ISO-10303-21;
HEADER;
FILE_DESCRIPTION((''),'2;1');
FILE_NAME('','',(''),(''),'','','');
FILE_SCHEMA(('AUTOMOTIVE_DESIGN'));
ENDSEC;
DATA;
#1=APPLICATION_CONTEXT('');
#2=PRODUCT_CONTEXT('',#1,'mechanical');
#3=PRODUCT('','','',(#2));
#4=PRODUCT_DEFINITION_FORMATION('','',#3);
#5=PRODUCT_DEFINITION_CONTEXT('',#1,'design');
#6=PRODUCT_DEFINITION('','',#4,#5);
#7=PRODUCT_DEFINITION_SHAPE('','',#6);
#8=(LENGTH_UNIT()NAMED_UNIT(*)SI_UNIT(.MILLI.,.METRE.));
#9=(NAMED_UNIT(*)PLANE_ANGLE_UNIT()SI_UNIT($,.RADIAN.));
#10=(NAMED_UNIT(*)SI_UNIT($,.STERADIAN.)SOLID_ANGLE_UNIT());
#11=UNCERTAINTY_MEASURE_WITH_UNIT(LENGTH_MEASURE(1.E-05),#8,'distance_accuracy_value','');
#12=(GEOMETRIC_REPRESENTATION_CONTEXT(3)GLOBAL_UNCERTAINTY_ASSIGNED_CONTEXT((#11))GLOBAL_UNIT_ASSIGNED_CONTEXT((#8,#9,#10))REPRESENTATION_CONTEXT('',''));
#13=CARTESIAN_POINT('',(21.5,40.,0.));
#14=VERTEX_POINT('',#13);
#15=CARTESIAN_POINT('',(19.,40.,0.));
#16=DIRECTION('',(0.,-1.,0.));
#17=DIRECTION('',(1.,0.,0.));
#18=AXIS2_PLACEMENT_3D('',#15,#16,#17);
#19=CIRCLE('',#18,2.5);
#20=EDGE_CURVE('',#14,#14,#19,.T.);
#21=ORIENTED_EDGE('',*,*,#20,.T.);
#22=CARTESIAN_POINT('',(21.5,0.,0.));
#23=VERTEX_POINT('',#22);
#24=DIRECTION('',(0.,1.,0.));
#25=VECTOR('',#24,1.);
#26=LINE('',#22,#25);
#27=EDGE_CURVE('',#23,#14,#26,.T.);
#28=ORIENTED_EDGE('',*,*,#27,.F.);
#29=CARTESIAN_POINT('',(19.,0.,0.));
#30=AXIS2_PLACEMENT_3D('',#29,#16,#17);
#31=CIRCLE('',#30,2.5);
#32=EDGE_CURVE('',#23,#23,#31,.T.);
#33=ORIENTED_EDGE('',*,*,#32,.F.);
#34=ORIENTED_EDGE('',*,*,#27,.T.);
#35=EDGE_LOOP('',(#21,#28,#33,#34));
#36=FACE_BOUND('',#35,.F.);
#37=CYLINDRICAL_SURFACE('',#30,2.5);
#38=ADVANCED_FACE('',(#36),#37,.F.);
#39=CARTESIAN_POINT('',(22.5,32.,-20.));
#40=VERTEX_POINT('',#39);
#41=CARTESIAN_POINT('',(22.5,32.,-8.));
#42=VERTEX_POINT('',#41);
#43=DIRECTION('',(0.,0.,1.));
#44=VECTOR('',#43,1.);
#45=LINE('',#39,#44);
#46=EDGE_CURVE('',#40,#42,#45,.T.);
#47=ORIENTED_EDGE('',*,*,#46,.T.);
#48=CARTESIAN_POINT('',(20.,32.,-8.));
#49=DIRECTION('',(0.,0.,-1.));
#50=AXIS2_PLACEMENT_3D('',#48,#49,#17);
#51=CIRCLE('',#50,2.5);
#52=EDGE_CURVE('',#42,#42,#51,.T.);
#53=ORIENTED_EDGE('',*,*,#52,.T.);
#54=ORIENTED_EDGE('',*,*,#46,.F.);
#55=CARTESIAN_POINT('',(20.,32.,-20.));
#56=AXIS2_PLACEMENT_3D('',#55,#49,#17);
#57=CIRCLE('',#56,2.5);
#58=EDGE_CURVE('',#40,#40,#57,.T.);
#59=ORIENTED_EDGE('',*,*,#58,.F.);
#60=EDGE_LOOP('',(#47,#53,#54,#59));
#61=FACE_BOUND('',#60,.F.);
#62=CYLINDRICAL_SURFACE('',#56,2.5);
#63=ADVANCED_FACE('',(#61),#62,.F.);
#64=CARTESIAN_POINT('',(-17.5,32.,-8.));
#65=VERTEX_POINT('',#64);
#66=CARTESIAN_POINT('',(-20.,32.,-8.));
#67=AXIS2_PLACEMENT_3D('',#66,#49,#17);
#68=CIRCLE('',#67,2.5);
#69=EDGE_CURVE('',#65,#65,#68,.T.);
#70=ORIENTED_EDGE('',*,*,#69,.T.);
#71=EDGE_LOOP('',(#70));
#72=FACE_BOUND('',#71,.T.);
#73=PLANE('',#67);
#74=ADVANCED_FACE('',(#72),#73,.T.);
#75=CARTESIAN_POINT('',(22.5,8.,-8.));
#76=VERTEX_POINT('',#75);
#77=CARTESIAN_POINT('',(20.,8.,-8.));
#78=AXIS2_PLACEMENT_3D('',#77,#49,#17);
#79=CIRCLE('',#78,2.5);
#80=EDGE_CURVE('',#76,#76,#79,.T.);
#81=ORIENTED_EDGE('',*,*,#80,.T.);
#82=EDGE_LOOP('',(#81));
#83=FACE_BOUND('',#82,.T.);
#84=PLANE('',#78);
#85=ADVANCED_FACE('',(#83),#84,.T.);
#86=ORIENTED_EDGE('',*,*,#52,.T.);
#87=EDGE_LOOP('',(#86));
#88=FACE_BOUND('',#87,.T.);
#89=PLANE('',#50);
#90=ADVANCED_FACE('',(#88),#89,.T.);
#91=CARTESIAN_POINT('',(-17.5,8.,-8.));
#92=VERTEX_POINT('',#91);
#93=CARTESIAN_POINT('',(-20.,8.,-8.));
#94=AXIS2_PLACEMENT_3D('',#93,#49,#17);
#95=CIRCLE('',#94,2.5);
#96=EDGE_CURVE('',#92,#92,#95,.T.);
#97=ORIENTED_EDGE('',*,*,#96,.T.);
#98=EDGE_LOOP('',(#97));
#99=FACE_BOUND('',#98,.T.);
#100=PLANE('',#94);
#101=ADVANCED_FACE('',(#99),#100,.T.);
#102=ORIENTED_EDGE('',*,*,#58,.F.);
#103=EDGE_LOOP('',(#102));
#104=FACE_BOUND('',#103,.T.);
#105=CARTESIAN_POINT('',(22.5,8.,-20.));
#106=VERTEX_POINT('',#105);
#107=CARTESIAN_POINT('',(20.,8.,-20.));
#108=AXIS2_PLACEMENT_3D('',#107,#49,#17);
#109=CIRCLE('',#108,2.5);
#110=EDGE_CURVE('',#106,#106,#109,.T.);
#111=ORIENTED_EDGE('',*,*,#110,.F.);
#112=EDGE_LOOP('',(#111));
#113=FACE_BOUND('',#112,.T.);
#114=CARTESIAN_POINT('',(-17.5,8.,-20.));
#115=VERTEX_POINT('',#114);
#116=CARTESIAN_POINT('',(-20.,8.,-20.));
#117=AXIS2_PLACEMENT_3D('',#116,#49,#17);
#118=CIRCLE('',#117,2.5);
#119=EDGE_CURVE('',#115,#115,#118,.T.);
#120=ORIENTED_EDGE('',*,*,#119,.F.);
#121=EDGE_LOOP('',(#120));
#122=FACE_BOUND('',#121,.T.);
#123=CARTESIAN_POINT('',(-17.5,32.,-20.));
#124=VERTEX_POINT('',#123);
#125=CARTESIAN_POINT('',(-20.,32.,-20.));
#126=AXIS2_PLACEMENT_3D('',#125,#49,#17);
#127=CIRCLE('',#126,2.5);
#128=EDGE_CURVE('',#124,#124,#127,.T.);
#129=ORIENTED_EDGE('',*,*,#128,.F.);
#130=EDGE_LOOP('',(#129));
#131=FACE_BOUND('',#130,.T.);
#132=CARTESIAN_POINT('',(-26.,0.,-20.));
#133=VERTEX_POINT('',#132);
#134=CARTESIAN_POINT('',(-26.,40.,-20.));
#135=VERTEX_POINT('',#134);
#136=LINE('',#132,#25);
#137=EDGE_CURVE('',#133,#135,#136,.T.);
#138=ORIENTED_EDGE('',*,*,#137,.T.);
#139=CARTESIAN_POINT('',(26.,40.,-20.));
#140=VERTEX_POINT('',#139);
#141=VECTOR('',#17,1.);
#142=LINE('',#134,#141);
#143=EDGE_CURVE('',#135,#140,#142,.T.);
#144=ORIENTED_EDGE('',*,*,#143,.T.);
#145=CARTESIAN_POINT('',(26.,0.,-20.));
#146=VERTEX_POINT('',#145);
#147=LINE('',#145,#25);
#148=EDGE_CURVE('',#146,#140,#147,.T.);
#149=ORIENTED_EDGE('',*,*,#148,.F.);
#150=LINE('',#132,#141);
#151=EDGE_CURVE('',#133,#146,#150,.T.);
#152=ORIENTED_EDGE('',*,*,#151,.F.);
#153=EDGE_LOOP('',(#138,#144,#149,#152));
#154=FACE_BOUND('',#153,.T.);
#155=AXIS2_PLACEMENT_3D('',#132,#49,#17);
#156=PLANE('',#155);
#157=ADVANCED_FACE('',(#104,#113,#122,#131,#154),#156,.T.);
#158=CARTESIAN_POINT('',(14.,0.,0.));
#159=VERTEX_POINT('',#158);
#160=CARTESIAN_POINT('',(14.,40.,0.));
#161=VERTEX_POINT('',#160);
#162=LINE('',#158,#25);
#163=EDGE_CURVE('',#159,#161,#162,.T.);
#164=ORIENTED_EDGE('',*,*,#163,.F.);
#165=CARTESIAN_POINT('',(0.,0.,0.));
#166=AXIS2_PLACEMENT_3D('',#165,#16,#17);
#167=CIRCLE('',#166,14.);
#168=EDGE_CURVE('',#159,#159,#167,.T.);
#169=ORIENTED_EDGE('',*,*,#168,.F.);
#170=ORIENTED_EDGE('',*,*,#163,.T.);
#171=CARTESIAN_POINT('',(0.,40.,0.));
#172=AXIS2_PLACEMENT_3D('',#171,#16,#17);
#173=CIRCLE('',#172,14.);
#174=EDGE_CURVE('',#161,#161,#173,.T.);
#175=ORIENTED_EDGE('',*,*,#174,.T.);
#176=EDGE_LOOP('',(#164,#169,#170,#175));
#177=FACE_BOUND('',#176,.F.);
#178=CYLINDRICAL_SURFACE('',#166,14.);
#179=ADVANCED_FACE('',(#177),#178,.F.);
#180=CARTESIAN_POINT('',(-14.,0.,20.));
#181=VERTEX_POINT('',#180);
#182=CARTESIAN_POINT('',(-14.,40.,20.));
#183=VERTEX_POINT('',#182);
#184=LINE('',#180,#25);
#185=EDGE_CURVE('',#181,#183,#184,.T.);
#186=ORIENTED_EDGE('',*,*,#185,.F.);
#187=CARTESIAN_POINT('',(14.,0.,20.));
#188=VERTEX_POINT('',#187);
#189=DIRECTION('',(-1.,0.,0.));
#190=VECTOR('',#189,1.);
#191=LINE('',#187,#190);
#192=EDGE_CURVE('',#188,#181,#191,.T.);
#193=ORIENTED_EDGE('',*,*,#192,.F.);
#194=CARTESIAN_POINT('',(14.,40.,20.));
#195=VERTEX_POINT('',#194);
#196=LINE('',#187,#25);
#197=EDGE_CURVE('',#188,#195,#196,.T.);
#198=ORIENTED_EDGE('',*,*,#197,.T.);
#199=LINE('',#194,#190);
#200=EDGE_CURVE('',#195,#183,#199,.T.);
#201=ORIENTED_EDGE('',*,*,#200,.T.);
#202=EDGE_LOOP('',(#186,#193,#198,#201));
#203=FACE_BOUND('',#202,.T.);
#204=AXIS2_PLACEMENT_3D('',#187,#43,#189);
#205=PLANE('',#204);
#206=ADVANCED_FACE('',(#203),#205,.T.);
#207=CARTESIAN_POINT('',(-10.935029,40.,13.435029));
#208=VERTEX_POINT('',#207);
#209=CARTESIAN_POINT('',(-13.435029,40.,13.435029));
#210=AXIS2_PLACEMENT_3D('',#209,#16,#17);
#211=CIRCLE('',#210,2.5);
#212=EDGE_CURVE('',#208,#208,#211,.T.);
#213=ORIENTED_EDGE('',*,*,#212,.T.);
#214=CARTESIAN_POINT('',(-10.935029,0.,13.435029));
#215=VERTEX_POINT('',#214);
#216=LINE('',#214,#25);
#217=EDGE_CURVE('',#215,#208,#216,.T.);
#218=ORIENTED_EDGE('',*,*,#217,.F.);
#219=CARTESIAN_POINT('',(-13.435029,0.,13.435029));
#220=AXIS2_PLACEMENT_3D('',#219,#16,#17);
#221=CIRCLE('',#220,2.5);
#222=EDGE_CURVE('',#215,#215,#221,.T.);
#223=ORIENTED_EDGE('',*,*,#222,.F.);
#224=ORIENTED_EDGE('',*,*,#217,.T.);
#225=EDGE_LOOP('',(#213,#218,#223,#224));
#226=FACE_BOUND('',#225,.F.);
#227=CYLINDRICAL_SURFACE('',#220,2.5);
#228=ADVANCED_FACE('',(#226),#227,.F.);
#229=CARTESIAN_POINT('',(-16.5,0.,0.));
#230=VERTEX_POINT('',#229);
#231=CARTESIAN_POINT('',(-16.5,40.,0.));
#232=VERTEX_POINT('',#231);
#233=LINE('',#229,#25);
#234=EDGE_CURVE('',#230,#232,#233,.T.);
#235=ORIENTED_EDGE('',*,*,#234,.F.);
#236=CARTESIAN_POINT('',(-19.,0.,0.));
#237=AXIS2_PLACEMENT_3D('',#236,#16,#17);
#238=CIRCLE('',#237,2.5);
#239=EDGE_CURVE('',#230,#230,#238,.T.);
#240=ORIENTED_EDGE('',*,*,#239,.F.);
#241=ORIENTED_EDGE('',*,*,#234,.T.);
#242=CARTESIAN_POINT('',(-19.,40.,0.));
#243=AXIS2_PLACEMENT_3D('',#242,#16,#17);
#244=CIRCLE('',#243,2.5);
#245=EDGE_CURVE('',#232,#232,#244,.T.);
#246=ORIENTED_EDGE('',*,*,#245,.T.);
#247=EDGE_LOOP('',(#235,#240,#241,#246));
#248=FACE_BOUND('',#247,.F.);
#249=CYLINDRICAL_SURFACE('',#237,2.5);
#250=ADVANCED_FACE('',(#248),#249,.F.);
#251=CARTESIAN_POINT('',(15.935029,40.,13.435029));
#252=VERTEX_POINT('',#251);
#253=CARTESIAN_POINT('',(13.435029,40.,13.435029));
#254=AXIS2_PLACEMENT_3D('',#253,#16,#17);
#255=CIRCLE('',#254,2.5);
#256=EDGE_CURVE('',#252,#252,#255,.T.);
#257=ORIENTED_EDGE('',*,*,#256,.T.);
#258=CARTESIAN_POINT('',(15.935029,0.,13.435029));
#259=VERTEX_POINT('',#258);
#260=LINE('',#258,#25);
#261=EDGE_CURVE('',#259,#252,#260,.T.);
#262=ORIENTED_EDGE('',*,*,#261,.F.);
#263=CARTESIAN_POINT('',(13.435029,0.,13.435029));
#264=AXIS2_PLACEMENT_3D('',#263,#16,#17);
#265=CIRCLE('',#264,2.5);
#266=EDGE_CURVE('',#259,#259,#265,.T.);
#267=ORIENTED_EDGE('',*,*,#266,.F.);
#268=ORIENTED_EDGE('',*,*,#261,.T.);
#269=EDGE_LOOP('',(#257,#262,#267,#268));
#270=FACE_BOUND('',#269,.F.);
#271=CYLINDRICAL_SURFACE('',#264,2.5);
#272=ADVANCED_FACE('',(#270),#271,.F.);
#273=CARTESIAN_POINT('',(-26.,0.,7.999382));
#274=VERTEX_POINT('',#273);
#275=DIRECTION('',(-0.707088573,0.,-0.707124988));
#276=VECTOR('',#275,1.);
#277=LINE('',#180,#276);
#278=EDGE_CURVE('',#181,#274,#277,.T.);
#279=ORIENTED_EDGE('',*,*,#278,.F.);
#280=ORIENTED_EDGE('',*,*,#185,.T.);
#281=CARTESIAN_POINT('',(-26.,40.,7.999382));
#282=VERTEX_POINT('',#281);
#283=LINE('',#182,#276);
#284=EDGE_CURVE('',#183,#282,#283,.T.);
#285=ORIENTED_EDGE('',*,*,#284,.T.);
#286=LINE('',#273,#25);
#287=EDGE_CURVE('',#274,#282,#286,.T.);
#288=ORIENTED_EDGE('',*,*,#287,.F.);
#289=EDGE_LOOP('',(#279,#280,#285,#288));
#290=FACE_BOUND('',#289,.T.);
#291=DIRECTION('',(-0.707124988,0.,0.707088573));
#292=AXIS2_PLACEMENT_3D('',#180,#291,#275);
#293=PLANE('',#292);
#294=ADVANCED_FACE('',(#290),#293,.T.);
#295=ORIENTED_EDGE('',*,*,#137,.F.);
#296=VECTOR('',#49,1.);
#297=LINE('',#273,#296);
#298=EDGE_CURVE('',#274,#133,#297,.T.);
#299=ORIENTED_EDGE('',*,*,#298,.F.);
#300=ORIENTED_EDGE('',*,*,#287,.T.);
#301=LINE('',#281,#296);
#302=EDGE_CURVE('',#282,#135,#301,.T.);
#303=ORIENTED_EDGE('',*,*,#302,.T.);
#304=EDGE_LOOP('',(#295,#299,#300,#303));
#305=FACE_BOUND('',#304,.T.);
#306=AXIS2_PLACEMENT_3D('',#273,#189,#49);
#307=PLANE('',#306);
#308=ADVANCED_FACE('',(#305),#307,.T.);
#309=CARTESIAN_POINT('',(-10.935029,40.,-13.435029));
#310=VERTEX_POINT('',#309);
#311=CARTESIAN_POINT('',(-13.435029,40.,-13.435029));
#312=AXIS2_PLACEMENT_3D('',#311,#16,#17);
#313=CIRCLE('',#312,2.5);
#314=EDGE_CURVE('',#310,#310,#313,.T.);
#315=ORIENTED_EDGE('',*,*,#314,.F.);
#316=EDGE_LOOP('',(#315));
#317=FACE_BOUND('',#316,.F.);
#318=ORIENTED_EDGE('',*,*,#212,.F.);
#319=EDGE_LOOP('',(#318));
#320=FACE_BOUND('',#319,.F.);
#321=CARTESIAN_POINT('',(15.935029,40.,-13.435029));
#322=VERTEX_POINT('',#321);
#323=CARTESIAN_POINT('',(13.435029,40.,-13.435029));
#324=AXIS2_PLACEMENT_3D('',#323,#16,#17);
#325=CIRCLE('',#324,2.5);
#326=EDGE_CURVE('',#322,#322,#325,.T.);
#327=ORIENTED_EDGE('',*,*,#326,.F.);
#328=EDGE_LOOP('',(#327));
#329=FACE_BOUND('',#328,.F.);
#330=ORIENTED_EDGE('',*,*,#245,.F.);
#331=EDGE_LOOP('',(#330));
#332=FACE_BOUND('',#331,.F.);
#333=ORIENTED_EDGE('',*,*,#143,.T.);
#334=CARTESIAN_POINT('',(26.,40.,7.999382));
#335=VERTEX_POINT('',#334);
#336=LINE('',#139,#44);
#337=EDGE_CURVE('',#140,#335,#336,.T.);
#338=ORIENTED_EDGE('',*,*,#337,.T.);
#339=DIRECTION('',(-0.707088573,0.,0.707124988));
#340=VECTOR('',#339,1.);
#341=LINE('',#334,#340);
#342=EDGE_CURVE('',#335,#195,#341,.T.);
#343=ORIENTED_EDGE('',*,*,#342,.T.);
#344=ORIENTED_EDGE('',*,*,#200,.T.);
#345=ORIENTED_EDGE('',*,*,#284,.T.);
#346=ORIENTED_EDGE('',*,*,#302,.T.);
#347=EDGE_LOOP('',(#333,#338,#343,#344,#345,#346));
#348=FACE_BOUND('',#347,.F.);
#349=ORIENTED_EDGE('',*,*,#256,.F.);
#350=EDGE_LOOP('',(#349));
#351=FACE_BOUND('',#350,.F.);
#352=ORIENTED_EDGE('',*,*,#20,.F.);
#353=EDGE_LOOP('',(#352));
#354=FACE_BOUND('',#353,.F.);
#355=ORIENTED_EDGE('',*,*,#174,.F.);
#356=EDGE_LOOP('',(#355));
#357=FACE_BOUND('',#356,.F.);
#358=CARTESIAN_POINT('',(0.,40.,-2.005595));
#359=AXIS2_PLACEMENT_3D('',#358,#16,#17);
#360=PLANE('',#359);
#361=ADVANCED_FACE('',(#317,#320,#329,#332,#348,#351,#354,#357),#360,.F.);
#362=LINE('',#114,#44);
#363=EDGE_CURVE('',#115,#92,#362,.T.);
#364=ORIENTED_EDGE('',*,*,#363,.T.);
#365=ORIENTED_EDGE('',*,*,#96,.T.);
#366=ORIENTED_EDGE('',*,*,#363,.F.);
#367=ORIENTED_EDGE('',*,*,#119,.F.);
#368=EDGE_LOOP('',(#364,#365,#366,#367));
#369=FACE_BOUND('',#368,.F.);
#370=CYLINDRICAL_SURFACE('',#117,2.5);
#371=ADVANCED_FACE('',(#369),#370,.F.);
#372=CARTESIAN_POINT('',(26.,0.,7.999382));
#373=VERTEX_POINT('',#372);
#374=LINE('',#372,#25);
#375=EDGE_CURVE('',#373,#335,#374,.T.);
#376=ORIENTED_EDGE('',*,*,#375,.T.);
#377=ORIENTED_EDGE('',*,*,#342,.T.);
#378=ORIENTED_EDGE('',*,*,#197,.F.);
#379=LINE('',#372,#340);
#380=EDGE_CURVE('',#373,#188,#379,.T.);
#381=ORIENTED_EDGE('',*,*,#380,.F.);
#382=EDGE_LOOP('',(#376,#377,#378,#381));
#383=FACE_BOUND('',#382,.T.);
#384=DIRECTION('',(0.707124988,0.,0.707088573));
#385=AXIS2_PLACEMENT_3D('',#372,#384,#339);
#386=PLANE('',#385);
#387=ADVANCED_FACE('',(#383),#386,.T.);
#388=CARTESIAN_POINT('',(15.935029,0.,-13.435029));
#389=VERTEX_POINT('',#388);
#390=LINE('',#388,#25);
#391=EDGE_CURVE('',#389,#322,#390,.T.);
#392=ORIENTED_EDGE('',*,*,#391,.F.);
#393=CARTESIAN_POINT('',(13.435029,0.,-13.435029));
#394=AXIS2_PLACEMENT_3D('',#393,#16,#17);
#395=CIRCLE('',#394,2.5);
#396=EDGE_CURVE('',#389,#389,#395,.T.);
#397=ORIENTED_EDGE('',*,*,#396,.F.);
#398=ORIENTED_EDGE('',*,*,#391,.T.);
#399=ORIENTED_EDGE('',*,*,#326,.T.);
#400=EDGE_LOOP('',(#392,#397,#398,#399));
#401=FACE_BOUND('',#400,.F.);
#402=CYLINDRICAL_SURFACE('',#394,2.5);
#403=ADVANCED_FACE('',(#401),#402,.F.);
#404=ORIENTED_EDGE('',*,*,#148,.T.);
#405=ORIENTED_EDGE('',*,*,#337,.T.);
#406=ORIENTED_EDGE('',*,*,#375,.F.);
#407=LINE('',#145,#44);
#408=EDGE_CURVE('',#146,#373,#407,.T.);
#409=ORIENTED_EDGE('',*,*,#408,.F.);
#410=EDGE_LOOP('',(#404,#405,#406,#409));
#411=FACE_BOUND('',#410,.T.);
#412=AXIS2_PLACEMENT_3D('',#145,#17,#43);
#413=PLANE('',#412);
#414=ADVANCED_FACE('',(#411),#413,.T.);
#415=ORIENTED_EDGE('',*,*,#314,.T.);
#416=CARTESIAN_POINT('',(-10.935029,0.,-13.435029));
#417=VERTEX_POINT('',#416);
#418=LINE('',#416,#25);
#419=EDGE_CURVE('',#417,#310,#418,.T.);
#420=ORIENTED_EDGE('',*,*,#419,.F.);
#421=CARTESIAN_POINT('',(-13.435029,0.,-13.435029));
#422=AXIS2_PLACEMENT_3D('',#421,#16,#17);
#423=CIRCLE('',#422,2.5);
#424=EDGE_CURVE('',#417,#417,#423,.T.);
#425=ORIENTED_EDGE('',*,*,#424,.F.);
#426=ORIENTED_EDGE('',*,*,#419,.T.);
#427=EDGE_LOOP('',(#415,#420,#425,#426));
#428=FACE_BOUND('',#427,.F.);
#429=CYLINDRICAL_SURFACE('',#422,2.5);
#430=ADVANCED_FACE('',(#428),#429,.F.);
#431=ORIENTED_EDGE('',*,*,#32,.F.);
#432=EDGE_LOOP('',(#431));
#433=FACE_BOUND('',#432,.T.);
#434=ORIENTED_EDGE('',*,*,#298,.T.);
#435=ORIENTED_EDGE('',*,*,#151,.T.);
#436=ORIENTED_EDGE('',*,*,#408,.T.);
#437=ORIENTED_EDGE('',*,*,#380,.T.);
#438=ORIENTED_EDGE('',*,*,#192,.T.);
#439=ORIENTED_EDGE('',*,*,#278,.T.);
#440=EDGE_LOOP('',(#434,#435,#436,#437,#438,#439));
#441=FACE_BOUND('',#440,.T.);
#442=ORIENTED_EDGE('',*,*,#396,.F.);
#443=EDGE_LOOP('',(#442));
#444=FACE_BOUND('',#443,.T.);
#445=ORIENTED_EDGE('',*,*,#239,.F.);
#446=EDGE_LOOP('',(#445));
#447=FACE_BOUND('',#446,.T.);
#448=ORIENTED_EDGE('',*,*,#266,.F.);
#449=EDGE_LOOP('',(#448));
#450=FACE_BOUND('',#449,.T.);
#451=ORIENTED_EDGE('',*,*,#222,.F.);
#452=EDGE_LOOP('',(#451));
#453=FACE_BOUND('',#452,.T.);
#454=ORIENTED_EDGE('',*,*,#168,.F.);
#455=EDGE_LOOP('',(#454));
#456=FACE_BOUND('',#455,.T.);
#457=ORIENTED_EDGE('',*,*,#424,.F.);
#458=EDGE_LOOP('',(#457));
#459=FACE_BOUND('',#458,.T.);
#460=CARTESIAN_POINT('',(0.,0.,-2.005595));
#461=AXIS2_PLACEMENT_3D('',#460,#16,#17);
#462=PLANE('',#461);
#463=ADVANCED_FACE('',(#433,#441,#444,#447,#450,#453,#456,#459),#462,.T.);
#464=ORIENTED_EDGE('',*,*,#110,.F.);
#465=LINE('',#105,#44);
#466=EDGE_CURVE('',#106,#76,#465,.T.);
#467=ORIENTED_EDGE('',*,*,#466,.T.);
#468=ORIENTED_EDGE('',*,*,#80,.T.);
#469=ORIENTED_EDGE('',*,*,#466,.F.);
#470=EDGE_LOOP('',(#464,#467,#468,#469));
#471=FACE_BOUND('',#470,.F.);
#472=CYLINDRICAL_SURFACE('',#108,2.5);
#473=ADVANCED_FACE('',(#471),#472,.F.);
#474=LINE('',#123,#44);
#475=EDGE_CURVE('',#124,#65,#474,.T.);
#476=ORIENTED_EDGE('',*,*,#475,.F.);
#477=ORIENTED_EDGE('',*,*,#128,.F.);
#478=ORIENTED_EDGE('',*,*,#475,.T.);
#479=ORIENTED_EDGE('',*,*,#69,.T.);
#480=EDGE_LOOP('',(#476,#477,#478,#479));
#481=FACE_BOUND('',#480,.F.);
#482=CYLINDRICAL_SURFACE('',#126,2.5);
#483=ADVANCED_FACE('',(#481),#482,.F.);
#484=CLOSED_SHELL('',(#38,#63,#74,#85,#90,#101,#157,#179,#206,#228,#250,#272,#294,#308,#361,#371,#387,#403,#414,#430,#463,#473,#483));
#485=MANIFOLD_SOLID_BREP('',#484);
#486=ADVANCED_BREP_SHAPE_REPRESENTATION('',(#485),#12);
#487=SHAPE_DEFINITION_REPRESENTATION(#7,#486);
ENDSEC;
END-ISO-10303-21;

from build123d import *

# Parameters (mm, degrees)
F0_R     = 2.5
F0_R_2   = 14
F1_DEPTH = 40
F2_R     = 2.5
F3_DEPTH = 12


with BuildPart() as f1:
    # F0 (on Front) → F1 (new body)
    with BuildSketch(Plane.XZ):
        Polygon((14, 20), (-14, 20), (-26, 7.999382), (-26, -20), (26, -20), (26, 7.999382), align=None)
        with Locations((-13.435029, -13.435029)):
            Circle(F0_R, mode=Mode.SUBTRACT)
        with Locations((13.435029, -13.435029)):
            Circle(F0_R, mode=Mode.SUBTRACT)
        with Locations((-19, 0)):
            Circle(F0_R, mode=Mode.SUBTRACT)
        with Locations((-13.435029, 13.435029)):
            Circle(F0_R, mode=Mode.SUBTRACT)
        Circle(F0_R_2, mode=Mode.SUBTRACT)
        with Locations((19, 0)):
            Circle(F0_R, mode=Mode.SUBTRACT)
        with Locations((13.435029, 13.435029)):
            Circle(F0_R, mode=Mode.SUBTRACT)
    extrude(amount=-F1_DEPTH)

    # F2 (on face) → F3 (cut)
    with BuildSketch(Plane(origin=(0, 0, -20), x_dir=(1, 0, 0), z_dir=(0, 0, -1))):
        with Locations((20, -32)):
            Circle(F2_R)
        with Locations((-20, -32)):
            Circle(F2_R)
        with Locations((-20, -8)):
            Circle(F2_R)
        with Locations((20, -8)):
            Circle(F2_R)
    extrude(amount=-F3_DEPTH, mode=Mode.SUBTRACT)


solid = f1.part
